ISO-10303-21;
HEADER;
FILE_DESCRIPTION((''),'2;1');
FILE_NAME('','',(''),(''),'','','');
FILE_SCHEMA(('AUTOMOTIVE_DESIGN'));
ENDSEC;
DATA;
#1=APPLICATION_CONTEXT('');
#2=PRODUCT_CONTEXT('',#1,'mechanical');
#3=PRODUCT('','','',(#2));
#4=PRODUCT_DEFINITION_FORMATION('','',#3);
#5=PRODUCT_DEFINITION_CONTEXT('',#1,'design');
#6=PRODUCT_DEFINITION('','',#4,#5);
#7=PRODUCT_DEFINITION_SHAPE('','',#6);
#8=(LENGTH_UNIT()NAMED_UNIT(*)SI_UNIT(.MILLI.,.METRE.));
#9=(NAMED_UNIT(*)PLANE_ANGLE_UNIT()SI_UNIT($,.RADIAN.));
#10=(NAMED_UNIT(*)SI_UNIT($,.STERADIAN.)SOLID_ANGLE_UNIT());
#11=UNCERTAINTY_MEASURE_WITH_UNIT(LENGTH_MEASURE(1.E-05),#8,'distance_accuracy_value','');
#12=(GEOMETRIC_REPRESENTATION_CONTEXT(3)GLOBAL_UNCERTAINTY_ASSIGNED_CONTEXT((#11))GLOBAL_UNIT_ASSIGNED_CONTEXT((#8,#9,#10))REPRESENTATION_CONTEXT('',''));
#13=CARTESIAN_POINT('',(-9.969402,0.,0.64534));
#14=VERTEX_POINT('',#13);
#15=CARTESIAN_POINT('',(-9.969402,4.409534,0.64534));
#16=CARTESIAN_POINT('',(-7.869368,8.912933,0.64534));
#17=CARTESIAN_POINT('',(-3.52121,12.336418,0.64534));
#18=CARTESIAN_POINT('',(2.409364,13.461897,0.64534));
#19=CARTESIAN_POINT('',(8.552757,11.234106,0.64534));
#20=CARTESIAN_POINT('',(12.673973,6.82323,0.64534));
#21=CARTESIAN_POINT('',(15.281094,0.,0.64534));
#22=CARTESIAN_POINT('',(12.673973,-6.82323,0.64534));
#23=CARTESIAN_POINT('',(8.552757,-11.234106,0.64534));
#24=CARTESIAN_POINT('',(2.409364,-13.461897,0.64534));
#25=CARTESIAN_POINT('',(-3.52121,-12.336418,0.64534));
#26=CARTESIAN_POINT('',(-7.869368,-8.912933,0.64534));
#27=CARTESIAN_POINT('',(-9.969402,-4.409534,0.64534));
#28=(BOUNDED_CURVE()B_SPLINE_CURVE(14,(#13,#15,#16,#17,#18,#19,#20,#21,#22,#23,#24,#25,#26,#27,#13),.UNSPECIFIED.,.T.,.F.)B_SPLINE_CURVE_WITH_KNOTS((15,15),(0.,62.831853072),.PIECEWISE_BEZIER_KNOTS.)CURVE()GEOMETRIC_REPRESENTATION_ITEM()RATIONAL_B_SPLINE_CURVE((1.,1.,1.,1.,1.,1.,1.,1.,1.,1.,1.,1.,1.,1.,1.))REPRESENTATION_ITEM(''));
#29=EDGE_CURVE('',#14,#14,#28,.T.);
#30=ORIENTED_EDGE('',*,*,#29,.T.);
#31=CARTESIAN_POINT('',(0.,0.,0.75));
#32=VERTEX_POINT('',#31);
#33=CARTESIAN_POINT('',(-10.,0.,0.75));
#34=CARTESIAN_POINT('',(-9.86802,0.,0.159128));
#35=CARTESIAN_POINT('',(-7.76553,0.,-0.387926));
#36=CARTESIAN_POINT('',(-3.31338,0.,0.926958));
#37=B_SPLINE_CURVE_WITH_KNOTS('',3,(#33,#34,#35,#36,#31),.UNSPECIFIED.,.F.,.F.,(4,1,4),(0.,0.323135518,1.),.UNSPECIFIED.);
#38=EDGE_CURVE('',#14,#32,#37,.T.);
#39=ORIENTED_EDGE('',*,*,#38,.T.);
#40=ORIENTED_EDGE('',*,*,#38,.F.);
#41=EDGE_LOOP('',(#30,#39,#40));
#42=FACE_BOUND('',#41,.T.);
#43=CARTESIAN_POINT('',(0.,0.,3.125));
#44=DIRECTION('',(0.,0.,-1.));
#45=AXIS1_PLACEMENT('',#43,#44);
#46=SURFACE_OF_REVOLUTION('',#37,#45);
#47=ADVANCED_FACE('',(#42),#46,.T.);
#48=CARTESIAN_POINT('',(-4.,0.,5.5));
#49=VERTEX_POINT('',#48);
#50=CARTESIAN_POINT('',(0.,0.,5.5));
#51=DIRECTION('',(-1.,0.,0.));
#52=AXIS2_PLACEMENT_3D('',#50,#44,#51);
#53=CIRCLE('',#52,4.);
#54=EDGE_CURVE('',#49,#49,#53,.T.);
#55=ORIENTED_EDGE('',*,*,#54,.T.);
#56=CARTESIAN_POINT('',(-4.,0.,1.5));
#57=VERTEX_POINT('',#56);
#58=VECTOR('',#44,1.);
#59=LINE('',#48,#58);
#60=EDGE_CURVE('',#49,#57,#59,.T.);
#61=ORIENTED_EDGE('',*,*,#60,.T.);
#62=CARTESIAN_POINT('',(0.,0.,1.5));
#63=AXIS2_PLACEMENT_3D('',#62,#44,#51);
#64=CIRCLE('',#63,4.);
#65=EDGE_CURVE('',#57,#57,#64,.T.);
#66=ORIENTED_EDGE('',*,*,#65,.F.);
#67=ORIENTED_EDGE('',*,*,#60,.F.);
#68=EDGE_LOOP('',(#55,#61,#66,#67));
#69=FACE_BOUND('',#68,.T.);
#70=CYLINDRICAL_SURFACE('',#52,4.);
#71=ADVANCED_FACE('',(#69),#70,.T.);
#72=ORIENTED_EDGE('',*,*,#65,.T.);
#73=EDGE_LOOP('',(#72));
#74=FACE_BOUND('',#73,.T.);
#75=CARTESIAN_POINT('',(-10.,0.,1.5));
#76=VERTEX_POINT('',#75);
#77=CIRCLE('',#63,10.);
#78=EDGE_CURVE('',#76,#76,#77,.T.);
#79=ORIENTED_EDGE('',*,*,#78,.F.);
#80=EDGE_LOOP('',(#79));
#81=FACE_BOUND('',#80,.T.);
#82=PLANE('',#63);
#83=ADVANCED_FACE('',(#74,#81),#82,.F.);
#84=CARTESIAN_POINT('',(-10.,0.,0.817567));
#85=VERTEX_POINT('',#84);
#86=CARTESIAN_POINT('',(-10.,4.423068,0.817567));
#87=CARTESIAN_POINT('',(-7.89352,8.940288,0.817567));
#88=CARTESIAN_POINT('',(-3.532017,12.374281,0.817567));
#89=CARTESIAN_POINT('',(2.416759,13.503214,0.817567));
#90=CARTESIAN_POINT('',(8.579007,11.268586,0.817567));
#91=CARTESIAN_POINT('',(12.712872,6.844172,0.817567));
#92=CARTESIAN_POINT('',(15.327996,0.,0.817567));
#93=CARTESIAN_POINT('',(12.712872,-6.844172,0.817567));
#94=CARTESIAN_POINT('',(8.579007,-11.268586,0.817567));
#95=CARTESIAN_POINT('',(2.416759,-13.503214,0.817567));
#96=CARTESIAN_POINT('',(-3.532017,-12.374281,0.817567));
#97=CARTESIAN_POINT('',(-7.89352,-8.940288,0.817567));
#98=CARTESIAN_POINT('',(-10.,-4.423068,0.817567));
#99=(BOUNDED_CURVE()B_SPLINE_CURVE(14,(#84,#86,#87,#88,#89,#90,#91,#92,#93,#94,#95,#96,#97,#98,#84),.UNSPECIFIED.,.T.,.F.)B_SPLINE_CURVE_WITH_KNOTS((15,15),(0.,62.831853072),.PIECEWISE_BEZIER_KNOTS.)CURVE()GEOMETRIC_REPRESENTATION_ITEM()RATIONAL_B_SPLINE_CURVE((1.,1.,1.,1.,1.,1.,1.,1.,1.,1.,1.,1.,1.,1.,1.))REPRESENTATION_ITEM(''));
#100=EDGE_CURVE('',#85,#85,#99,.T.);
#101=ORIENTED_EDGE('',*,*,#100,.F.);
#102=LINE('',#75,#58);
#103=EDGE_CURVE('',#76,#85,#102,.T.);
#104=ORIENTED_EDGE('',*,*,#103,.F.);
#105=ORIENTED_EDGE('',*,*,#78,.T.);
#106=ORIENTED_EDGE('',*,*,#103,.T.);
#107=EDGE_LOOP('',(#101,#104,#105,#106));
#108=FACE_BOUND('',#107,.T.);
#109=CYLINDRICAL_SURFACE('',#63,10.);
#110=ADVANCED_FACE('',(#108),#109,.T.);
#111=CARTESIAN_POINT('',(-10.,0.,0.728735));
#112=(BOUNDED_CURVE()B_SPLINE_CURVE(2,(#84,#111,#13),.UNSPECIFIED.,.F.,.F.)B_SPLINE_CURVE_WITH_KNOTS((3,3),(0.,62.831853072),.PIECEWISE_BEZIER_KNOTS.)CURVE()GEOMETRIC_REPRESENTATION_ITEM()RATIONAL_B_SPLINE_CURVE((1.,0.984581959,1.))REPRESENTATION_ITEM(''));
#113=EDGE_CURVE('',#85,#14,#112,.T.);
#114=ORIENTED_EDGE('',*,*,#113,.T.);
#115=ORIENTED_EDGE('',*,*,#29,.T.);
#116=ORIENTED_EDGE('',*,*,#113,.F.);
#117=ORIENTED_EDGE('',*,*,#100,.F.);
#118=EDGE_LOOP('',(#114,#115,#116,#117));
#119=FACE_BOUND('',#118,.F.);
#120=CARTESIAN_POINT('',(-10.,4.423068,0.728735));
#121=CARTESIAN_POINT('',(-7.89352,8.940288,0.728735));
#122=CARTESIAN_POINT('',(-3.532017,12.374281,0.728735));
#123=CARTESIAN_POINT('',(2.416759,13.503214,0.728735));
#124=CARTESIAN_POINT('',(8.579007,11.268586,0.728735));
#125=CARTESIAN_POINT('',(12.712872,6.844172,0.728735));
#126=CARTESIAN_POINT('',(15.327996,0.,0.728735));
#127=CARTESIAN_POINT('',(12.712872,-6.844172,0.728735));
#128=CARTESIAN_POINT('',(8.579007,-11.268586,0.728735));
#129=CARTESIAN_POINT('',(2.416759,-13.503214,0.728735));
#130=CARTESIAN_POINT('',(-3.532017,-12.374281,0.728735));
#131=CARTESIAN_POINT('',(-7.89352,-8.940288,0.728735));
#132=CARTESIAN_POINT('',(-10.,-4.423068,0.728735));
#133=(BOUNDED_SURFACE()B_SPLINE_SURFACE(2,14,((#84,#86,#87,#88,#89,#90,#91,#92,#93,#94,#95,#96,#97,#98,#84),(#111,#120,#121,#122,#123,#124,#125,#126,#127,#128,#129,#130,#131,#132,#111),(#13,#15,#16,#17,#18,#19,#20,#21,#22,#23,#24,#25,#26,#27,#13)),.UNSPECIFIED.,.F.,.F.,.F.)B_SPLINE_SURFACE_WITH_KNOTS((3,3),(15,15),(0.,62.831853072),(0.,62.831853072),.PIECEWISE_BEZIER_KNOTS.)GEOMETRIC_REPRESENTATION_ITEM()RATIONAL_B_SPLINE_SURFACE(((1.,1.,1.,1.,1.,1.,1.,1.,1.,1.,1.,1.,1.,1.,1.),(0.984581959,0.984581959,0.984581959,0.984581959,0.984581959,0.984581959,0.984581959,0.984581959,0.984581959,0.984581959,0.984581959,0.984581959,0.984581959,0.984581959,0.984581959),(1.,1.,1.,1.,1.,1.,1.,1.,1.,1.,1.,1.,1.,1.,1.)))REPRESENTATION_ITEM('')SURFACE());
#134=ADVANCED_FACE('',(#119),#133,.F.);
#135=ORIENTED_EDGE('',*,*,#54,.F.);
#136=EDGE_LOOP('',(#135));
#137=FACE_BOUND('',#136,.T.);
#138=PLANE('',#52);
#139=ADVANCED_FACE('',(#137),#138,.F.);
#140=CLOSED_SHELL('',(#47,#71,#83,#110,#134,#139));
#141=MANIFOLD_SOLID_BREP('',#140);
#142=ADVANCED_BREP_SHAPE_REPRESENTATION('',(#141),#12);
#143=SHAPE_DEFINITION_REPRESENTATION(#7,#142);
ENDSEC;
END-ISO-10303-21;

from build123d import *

# Parameters (mm, degrees)
F2_R = 0.5


with BuildPart() as f1:
    # F0 (on Front) → F1 (revolve)
    with BuildSketch(Plane.XZ):
        with BuildLine():
            Line((-10, 1.5), (-10, 0.75))
            add(Edge.make_bspline(
                [(-10, 0.75), (-9.8680201918, 0.1591282635), (-7.7655296493, -0.3879261877), (-3.3133795951, 0.9269575239), (0, 0.75)],
                knots=[0, 0, 0, 0, 0.3231355177, 1, 1, 1, 1], degree=3))
            Line((0, 0.75), (0, 5.5))
            Line((0, 5.5), (-4, 5.5))
            Line((-4, 5.5), (-4, 1.5))
            Line((-4, 1.5), (-10, 1.5))
        make_face()
    revolve(axis=Axis((0, 0, 3.125), (0, 0, -1)))

    # F2
    f2_edges = [f1.edges().sort_by_distance(p)[0] for p in [
        (10, 0, 0.75),
    ]]
    fillet(f2_edges, radius=F2_R)


solid = f1.part
